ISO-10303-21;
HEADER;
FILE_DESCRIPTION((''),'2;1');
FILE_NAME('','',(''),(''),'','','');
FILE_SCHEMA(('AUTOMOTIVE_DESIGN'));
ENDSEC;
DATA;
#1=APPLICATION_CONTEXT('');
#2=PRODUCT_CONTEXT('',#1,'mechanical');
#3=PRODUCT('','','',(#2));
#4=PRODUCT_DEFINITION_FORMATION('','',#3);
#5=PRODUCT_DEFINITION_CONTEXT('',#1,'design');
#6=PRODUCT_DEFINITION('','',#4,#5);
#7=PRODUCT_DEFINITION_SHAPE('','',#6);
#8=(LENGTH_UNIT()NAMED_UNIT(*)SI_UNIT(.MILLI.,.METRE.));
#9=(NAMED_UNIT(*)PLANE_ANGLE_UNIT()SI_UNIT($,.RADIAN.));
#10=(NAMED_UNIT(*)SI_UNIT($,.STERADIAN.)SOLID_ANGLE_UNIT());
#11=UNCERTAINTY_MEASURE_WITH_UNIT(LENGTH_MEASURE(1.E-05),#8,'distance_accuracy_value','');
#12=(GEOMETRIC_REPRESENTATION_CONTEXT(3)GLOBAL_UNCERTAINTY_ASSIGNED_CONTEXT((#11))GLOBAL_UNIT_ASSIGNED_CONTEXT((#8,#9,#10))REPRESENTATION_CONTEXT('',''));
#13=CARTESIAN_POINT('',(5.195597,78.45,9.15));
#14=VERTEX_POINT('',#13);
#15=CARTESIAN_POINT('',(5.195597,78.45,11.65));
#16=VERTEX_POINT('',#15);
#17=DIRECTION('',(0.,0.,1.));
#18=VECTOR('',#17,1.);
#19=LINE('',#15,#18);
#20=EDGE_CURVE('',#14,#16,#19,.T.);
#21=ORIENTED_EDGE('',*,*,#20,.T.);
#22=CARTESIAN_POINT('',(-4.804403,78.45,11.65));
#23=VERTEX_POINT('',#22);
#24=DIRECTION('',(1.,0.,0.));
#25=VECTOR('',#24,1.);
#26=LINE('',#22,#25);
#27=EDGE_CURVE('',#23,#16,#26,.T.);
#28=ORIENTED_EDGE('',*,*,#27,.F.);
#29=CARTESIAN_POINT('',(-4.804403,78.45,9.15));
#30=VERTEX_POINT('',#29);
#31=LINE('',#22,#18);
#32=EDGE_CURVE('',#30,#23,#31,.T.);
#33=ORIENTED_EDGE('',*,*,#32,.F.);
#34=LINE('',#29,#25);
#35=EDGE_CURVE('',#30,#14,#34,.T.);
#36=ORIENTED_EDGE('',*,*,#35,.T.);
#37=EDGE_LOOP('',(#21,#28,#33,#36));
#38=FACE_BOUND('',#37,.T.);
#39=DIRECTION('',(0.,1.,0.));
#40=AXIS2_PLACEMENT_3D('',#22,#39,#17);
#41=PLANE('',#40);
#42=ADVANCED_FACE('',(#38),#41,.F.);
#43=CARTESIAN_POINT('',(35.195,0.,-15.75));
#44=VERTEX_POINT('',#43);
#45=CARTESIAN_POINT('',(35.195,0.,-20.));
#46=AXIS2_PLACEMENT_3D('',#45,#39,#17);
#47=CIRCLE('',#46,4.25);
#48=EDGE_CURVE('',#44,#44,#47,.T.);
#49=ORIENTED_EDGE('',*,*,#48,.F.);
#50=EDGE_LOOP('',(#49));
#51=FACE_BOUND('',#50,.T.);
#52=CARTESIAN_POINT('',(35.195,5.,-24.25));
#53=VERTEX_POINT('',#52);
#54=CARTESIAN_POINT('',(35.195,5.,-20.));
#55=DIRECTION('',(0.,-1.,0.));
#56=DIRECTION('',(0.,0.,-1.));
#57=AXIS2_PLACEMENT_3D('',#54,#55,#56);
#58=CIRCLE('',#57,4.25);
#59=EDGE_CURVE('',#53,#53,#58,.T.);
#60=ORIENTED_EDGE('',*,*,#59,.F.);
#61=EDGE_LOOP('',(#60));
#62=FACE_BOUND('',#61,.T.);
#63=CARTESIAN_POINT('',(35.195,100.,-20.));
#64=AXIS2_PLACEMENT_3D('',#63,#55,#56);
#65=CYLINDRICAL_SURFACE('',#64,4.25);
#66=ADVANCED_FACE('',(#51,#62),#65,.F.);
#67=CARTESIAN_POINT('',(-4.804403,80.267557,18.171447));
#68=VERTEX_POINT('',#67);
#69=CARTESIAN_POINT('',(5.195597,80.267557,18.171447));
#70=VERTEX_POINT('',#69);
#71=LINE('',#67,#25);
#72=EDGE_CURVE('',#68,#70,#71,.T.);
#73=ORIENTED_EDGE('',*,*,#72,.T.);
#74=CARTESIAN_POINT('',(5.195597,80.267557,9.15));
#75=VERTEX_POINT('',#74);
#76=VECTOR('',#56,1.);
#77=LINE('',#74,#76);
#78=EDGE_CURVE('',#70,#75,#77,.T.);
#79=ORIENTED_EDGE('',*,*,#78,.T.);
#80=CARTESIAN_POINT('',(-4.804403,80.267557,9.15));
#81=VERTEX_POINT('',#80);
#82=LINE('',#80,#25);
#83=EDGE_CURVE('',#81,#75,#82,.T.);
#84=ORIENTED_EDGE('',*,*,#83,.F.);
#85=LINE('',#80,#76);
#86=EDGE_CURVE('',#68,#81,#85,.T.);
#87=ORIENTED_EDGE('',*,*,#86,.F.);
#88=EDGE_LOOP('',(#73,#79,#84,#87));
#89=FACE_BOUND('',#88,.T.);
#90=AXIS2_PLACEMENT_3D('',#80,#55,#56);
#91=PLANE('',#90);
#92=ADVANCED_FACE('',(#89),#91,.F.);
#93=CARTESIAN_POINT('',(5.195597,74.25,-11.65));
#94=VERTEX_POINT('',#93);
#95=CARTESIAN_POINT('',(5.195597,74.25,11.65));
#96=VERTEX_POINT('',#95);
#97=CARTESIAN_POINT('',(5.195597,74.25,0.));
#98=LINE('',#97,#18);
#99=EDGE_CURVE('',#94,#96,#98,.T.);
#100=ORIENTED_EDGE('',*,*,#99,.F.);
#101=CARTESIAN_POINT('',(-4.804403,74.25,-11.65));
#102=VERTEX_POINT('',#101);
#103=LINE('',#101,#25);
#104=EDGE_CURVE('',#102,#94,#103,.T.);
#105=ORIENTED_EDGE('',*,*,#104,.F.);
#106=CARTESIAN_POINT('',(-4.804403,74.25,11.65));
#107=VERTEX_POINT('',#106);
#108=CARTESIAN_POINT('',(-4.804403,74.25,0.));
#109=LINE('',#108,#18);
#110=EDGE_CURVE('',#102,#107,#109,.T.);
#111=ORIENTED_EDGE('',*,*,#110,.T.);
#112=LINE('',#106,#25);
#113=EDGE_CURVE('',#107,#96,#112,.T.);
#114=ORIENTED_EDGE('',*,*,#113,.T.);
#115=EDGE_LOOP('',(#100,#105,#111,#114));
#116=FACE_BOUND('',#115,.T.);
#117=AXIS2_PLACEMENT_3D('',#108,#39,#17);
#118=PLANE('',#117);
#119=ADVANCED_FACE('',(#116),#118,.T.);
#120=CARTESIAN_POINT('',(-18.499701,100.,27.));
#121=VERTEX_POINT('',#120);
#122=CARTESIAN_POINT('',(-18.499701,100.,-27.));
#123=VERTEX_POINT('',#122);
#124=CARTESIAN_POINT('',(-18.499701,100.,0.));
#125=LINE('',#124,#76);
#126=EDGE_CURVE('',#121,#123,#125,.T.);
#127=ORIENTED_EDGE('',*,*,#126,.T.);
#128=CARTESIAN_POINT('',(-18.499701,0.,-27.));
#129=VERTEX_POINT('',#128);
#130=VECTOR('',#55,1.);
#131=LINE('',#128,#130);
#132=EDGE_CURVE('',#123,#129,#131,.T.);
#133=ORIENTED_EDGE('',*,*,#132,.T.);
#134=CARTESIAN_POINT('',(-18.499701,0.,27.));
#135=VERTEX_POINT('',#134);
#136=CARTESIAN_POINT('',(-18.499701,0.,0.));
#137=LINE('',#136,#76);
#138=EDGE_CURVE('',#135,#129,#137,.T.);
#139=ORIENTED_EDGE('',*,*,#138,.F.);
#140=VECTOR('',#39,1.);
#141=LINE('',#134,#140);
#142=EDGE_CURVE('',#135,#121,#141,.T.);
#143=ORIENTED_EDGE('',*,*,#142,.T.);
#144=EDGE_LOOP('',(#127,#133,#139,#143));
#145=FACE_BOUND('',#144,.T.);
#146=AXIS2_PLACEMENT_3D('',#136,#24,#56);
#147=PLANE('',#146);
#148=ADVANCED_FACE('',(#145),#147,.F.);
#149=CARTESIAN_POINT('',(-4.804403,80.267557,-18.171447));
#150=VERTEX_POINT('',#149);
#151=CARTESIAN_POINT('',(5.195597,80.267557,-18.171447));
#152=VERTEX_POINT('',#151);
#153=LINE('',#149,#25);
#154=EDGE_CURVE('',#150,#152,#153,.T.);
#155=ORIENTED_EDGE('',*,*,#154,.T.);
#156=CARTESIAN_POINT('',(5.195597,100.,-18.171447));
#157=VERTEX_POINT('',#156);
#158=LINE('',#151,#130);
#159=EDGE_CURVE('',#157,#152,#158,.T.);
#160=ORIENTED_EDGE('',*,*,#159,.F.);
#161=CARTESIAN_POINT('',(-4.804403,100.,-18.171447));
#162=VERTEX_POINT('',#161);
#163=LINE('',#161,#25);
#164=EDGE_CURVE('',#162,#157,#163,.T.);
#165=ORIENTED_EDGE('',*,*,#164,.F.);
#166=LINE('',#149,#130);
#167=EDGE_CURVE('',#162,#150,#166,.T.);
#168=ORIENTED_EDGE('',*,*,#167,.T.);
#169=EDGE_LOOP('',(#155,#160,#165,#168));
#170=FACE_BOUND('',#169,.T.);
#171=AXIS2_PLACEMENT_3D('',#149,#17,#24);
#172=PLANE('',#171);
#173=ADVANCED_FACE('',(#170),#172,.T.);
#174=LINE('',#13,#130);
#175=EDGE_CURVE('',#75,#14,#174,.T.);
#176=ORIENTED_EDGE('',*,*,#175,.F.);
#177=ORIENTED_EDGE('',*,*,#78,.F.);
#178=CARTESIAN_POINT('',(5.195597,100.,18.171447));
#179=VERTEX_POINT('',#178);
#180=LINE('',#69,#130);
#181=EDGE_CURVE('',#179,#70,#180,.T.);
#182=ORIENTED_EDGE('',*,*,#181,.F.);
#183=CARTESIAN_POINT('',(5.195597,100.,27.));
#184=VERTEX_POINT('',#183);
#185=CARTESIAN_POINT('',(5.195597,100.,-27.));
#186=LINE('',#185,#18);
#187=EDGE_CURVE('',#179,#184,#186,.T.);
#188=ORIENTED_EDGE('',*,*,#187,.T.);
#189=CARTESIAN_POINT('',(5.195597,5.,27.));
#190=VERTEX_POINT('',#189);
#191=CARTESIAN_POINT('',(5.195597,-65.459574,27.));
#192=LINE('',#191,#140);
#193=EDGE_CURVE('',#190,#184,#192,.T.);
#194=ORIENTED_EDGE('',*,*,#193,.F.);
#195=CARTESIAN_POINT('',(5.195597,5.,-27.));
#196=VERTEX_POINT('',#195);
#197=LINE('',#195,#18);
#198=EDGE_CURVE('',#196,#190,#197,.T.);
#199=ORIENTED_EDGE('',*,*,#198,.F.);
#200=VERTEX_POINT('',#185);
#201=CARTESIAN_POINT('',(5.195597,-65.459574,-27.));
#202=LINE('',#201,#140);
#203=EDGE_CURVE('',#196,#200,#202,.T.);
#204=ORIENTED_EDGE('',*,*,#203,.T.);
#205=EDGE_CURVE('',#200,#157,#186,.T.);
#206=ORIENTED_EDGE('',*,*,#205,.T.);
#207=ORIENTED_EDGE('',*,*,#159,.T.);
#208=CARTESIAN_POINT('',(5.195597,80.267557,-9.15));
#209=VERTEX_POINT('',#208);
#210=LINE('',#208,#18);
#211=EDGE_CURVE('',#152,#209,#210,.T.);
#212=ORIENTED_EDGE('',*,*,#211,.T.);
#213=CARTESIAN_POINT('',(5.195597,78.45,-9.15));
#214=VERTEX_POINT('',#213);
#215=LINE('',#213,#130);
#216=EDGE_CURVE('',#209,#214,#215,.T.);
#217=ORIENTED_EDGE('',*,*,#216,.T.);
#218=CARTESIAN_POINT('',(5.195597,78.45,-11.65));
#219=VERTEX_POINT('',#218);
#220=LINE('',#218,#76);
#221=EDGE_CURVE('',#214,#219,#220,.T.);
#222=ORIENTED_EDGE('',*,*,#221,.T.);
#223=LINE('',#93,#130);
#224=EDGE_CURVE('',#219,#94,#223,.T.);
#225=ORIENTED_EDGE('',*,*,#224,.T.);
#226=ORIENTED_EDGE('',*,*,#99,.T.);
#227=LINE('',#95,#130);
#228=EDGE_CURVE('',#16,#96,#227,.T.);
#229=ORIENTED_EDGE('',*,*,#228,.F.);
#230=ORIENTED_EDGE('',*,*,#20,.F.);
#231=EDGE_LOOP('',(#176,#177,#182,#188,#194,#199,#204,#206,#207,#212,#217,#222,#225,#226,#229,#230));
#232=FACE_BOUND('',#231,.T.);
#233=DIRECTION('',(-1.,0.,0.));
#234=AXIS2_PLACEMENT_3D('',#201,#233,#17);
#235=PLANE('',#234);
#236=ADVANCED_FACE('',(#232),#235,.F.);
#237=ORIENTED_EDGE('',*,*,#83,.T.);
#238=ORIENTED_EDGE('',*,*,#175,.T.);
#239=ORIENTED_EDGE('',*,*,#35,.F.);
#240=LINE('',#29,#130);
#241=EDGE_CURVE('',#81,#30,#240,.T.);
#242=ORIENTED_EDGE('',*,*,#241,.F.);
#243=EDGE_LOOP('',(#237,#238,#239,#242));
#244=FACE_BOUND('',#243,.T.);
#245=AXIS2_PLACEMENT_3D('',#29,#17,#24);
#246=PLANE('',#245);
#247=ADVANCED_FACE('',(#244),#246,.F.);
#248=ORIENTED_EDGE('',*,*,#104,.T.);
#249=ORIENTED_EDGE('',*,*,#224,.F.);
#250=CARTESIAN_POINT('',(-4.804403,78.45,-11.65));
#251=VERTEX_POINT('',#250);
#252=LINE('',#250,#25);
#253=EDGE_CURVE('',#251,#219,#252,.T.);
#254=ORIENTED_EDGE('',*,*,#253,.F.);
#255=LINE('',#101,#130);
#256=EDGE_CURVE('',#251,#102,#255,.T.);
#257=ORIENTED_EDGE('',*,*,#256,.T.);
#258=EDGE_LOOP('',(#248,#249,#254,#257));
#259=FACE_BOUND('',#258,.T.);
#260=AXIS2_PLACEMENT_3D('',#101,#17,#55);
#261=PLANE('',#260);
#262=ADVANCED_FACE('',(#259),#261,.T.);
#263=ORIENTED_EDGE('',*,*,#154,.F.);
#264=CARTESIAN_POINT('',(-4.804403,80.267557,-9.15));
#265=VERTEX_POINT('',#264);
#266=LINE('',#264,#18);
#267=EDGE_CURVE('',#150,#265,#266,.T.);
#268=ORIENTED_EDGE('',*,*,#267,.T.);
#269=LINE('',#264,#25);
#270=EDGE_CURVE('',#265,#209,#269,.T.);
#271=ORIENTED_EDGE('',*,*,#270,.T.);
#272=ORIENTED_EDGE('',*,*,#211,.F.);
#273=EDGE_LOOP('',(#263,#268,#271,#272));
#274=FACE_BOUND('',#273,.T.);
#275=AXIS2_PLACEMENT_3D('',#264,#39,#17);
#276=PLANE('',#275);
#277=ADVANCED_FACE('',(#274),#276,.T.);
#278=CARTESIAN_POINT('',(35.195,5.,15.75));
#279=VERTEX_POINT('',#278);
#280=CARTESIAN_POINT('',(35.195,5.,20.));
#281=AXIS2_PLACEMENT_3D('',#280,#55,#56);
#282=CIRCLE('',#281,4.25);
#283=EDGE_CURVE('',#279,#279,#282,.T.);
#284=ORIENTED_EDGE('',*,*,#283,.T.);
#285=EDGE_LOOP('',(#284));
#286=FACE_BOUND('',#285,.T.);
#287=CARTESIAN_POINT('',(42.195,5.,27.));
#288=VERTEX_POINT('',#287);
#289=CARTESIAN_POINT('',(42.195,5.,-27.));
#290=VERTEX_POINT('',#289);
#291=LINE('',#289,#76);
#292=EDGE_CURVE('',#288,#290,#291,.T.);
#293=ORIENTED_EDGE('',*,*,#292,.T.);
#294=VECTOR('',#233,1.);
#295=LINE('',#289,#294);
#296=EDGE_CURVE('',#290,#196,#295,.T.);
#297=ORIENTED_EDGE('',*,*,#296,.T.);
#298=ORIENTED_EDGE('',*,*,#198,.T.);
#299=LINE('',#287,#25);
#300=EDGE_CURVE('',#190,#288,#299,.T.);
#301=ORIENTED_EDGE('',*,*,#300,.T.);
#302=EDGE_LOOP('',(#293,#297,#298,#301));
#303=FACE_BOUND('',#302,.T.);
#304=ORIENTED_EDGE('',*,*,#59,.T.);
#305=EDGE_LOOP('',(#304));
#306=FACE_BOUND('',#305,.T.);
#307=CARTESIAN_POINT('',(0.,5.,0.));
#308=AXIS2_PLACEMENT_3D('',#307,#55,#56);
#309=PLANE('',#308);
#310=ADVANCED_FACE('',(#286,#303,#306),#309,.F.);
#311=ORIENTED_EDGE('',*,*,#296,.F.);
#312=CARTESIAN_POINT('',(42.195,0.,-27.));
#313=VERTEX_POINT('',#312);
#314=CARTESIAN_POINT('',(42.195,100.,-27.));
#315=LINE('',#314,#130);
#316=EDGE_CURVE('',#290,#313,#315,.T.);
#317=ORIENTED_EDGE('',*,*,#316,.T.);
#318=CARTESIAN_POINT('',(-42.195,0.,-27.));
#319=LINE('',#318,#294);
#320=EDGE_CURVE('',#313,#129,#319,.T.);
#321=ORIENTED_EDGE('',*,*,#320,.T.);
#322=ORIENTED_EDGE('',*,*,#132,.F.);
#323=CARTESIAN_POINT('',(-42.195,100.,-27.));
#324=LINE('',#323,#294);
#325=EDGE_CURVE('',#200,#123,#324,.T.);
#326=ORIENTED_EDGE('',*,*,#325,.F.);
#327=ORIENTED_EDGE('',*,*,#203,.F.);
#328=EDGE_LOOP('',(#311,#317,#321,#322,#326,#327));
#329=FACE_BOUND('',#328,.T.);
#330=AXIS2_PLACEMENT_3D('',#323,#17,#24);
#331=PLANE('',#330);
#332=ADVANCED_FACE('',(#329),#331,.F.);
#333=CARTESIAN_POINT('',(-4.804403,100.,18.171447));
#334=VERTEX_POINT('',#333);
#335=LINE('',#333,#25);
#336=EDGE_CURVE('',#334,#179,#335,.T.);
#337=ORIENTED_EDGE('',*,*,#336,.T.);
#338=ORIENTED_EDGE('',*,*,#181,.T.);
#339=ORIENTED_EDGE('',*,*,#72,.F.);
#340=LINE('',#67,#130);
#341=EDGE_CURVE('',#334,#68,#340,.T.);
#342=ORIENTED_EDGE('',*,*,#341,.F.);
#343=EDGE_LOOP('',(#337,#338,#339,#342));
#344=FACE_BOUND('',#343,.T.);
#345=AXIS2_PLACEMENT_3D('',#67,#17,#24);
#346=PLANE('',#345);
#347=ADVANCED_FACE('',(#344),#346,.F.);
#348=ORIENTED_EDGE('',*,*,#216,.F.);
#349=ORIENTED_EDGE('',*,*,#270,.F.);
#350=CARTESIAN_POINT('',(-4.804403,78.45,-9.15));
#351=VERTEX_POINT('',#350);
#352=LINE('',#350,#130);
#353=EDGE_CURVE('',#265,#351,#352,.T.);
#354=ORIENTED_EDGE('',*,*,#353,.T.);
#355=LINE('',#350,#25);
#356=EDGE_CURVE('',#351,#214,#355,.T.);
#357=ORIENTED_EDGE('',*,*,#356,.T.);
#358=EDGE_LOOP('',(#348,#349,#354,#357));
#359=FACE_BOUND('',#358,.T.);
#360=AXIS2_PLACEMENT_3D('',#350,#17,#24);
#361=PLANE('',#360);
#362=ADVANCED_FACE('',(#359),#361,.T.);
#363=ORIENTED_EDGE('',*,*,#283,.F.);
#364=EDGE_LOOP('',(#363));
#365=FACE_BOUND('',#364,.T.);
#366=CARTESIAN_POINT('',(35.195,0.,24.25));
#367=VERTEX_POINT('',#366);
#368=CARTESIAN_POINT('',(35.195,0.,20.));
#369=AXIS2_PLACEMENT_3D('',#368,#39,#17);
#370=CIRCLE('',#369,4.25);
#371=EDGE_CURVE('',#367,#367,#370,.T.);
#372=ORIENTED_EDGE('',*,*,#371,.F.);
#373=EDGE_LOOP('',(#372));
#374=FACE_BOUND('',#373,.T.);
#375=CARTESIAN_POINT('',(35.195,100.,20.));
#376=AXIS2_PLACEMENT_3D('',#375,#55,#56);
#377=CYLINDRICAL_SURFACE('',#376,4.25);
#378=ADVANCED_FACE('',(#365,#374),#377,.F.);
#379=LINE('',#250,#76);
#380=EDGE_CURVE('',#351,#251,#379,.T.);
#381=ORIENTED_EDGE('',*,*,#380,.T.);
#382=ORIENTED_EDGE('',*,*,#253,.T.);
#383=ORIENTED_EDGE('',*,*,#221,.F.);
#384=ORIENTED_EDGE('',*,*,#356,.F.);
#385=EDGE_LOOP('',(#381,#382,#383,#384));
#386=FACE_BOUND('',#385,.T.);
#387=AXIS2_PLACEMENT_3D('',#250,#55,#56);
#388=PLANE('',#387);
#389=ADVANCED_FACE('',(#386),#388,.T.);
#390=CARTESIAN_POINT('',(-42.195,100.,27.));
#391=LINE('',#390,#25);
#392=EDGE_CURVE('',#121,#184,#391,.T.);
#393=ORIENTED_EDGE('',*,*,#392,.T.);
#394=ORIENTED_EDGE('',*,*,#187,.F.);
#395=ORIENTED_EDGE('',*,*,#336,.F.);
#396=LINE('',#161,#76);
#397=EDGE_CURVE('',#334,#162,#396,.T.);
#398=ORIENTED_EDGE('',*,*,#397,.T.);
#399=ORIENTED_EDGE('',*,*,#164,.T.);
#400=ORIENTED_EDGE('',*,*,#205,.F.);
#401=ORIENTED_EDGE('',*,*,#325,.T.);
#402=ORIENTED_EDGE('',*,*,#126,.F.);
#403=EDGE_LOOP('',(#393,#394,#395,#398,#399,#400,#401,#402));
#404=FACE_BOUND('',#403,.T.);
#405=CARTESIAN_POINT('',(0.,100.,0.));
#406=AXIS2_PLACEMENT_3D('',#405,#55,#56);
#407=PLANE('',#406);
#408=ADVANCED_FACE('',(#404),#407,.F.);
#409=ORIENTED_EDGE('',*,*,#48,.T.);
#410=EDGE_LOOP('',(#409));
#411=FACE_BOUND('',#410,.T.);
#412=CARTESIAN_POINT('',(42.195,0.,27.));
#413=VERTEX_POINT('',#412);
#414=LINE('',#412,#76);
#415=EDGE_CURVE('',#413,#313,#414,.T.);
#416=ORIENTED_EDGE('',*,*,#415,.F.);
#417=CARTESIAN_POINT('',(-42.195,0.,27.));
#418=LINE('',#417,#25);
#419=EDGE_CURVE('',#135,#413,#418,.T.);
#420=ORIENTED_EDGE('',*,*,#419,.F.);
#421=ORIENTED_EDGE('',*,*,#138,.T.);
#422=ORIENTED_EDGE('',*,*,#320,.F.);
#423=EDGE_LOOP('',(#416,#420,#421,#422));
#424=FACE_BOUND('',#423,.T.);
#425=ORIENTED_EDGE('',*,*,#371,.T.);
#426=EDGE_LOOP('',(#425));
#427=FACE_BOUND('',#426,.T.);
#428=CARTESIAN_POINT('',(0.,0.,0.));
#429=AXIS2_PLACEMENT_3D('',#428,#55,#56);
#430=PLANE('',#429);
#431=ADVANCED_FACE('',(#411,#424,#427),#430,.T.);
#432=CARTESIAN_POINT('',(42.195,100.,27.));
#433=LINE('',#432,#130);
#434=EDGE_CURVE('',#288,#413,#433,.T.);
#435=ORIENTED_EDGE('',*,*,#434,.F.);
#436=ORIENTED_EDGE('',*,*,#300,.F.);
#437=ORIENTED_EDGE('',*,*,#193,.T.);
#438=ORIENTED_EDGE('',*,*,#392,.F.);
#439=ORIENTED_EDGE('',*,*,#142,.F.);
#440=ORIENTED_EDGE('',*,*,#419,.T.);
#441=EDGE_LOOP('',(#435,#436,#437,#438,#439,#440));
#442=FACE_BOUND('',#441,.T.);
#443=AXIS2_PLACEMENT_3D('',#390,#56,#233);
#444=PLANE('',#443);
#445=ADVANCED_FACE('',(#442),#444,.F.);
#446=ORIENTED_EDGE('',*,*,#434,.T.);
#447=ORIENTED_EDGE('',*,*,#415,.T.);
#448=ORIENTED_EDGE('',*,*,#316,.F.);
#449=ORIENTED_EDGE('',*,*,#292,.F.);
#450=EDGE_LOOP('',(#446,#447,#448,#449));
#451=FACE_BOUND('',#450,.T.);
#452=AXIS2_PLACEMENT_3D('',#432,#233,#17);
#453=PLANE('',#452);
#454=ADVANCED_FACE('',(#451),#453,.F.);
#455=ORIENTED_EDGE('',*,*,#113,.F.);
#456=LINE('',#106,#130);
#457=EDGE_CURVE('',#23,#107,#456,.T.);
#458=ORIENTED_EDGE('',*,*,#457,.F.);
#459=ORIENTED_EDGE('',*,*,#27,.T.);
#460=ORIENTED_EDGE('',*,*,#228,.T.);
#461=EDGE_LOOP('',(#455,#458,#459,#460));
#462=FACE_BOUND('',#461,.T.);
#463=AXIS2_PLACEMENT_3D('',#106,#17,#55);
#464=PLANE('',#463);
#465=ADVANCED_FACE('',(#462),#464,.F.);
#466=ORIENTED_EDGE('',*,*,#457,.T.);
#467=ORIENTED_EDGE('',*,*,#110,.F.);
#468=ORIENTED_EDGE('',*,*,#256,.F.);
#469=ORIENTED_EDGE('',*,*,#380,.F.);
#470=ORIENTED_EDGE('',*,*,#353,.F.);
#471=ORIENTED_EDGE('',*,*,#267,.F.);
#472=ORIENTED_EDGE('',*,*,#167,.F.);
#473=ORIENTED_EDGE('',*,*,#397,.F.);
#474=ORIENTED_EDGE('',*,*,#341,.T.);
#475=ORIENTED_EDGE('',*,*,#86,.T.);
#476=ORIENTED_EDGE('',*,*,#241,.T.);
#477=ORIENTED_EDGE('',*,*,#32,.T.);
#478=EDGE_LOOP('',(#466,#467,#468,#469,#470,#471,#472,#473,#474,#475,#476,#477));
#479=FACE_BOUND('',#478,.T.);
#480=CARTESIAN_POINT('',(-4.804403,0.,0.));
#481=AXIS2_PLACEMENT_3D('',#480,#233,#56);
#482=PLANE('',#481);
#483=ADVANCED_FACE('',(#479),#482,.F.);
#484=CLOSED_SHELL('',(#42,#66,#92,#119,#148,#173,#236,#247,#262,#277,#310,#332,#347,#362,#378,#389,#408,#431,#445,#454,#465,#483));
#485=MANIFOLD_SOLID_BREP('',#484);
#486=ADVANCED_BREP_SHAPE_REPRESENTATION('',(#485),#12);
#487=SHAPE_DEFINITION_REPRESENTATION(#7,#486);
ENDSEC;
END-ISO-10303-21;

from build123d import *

# Parameters (mm, degrees)
SKETCH1_W            = 84.39
SKETCH1_H            = 54
SKETCH1_R            = 4.25
BOSS_EXTRUDE1_DEPTH  = 100
CUT_EXTRUDE1_DEPTH   = 10
SKETCH3_W            = 36.999403
SKETCH3_H            = 54
CUT_EXTRUDE2_DEPTH   = 95
MIRROR2_COPY_1_DEPTH = 10
CUT_EXTRUDE3_REACH   = 122.054
SKETCH4_W            = 141.405079451
SKETCH4_H            = 141.172887202


with BuildPart() as part:
    # Sketch1 → Boss-Extrude1 (new body)
    with BuildSketch(Plane(origin=(0, 0, 0), x_dir=(1, 0, 0), z_dir=(0, 1, 0))):
        Rectangle(SKETCH1_W, SKETCH1_H)
        with Locations(Location((35.195, 20, 0), (0, 0, 270))):
            Circle(SKETCH1_R, mode=Mode.SUBTRACT)
        with Locations(Location((35.195, -20, 0), (0, 0, 270))):
            Circle(SKETCH1_R, mode=Mode.SUBTRACT)
    extrude(amount=BOSS_EXTRUDE1_DEPTH)

    # Sketch2 → Cut-Extrude1 (cut)
    with BuildSketch(Plane.ZY.offset(42.195)):
        Polygon((-11.65, 78.45), (-9.15, 78.45), (-9.15, 80.267556596), (-18.171447478, 80.267556596), (-18.171447478, 100), (0, 100), (0, 74.25), (-11.65, 74.25), align=None)
    cut_extrude1 = extrude(amount=-CUT_EXTRUDE1_DEPTH, mode=Mode.SUBTRACT)

    # Sketch3 → Cut-Extrude2 (cut)
    with BuildSketch(Plane(origin=(0, 100, 0), x_dir=(1, 0, 0), z_dir=(0, 1, 0))):
        with Locations((23.6952985, 0)):
            Rectangle(SKETCH3_W, SKETCH3_H)
    extrude(amount=-CUT_EXTRUDE2_DEPTH, mode=Mode.SUBTRACT)

    # Mirror1: Cut-Extrude1 across plane
    add(cut_extrude1.mirror(Plane.XY), mode=Mode.SUBTRACT)

    # Mirror2: Cut-Extrude1 across plane
    add(cut_extrude1.mirror(Plane(origin=(-18.4997015, 0, 0), x_dir=(0, 0, 1), z_dir=(1, 0, 0))), mode=Mode.SUBTRACT)

    # Mirror2 copy 1 sketch → Mirror2 copy 1 (cut)
    with BuildSketch(Plane(origin=(5.195597, 0, 0), x_dir=(0, 0, -1), z_dir=(1, 0, 0))):
        Polygon((-11.65, 78.45), (-9.15, 78.45), (-9.15, 80.267556596), (-18.171447478, 80.267556596), (-18.171447478, 100), (0, 100), (0, 74.25), (-11.65, 74.25), align=None)
    extrude(amount=-MIRROR2_COPY_1_DEPTH, mode=Mode.SUBTRACT)

    # Sketch4 → Cut-Extrude3 (cut, up to next)
    with BuildSketch(Plane(origin=(-18.4997015, 0, 0), x_dir=(0, 0, -1), z_dir=(1, 0, 0)), mode=Mode.PRIVATE) as cut_extrude3_sk1:
        with Locations((22.522648123, 44.65957828)):
            Rectangle(SKETCH4_W, SKETCH4_H)
    cut_extrude3_tool1 = extrude(cut_extrude3_sk1.sketch, amount=-CUT_EXTRUDE3_REACH, mode=Mode.PRIVATE) & part.part
    add(cut_extrude3_tool1.solids().sort_by_distance((-18.499701, 44.659578, -22.522648))[0], mode=Mode.SUBTRACT)


solid = part.part
